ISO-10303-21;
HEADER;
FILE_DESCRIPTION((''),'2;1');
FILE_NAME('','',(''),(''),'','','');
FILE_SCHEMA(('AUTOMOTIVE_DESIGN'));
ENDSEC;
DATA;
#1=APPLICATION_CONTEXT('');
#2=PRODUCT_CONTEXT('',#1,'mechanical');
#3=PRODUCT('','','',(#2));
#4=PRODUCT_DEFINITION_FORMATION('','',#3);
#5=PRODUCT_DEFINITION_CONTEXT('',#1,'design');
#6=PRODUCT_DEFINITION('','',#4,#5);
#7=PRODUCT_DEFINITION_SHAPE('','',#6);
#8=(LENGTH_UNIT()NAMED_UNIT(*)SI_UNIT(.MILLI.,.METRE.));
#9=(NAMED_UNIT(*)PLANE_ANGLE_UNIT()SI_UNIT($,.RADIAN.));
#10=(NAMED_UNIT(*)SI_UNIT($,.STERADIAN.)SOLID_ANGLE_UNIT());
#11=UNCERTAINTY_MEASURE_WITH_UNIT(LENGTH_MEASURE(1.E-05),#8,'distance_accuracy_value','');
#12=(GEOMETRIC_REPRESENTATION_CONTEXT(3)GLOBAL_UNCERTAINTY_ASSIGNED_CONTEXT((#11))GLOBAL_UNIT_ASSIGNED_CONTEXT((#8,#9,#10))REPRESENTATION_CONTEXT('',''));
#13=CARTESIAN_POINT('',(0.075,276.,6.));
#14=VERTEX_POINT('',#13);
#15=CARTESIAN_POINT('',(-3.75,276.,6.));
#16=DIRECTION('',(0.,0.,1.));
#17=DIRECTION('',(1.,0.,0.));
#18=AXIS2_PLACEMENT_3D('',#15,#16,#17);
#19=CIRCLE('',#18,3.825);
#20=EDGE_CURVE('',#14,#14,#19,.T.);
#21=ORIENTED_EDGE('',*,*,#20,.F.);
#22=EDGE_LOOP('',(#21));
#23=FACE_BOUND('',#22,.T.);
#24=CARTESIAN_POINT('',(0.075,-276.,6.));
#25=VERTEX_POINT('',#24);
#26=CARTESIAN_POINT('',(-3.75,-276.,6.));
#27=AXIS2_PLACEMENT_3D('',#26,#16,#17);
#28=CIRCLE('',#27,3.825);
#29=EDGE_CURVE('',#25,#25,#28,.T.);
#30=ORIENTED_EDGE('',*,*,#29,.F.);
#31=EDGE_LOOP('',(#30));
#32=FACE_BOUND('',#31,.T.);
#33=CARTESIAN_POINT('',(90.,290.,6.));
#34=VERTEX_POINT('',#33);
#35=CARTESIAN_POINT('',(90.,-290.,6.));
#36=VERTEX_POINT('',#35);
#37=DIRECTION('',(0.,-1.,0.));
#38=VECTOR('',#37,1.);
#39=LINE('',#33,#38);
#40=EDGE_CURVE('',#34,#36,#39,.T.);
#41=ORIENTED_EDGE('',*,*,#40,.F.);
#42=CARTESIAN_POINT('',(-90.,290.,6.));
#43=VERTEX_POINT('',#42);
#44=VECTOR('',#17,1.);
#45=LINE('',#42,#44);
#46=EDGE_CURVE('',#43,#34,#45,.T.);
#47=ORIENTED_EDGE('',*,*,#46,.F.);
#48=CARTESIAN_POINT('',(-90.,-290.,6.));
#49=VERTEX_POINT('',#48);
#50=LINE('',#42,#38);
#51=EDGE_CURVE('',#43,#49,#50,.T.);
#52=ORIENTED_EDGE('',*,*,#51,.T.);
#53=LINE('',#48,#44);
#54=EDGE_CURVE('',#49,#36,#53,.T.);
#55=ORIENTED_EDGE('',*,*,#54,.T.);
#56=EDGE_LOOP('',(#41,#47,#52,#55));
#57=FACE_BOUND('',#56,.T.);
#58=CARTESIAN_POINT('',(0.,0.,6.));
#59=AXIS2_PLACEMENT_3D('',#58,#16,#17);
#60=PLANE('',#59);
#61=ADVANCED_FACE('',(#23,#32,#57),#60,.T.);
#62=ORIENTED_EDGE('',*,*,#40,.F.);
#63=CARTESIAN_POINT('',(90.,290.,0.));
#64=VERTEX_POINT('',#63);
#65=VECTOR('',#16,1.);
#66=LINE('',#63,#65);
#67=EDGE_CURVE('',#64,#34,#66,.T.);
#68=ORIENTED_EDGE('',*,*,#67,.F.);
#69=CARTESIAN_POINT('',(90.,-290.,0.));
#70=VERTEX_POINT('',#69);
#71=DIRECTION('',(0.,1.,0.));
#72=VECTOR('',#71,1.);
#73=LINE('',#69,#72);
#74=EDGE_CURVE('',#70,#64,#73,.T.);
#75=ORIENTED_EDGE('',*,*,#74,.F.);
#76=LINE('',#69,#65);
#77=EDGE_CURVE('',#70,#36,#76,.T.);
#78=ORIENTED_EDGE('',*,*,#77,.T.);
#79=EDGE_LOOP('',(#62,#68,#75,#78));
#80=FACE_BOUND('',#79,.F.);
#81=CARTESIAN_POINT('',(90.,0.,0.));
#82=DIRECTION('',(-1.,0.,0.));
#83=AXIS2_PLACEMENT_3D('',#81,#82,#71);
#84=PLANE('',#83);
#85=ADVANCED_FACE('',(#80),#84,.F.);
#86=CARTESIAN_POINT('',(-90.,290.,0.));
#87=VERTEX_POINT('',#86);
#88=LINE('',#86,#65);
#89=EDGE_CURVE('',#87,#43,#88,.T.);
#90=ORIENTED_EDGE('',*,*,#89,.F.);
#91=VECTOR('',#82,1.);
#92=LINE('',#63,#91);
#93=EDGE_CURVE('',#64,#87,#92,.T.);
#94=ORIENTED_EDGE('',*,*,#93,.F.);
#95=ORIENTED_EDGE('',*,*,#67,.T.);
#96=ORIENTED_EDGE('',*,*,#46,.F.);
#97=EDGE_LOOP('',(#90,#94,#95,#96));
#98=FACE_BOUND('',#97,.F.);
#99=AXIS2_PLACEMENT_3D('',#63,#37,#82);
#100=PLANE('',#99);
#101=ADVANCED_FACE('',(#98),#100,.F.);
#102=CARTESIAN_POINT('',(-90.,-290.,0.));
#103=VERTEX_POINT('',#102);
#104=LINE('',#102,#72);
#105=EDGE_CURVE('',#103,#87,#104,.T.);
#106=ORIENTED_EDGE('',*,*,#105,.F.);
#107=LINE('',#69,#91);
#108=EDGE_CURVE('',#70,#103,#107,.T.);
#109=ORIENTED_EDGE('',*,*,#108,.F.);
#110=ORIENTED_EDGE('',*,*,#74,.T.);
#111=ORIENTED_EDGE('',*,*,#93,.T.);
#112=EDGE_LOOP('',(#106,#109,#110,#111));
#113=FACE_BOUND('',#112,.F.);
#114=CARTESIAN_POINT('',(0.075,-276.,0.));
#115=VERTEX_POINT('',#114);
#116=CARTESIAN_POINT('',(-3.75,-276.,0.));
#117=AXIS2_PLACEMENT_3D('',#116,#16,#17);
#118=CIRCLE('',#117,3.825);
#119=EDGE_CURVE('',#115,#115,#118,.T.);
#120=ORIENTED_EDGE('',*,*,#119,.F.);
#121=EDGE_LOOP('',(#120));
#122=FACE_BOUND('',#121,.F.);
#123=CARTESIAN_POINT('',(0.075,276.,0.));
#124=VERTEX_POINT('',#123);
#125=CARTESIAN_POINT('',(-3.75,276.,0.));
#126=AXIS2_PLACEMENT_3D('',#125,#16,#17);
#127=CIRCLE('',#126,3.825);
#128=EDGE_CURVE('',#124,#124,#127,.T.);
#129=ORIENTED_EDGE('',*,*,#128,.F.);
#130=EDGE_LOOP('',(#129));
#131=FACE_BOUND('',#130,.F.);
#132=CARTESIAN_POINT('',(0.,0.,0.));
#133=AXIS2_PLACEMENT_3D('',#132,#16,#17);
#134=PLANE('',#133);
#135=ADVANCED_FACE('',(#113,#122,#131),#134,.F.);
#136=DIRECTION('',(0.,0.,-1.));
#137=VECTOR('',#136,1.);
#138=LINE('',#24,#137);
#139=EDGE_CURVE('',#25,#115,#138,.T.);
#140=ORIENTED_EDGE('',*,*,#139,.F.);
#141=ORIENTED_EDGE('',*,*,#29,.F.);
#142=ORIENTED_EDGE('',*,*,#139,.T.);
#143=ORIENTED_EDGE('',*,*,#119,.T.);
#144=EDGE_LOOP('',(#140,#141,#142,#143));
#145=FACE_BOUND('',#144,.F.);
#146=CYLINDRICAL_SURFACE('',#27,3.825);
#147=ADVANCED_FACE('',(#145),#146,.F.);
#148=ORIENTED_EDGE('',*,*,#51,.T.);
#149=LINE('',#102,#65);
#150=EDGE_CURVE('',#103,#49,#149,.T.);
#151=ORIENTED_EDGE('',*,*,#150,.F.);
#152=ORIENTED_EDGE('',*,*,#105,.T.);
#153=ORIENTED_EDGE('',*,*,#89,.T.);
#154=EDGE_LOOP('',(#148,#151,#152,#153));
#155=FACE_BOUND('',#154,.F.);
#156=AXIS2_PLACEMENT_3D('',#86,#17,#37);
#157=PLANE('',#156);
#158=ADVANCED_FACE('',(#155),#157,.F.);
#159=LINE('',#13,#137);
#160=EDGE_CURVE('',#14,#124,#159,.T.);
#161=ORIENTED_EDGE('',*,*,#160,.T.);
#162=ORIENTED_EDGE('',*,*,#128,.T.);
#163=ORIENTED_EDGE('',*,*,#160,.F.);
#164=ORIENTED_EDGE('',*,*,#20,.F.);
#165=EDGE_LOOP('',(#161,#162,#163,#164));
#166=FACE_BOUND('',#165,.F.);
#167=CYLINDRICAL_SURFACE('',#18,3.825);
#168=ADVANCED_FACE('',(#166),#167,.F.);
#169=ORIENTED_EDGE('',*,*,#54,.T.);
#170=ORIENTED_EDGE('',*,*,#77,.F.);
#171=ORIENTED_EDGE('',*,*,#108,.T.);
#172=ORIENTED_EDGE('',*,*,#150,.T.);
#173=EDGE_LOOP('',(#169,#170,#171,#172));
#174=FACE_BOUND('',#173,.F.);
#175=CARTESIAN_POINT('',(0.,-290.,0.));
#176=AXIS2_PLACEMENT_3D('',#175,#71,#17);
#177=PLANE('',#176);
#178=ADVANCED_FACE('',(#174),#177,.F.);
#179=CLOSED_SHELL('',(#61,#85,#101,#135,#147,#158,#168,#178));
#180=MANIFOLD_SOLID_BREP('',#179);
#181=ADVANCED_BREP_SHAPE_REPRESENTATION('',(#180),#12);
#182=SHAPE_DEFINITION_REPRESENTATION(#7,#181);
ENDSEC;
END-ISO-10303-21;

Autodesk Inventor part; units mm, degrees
ref_plane "YZ Plane" through (0, 0, 0) normal (1, 0, 0) x (0, 1, 0)
ref_plane "XZ Plane" through (0, 0, 0) normal (0, 1, 0) x (-1, 0, 0)
ref_plane "XY Plane" through (0, 0, 0) normal (0, 0, 1) x (1, 0, 0)
sketch "Skizze1" plane through (0, 0, 0) normal (0, 0, 1) x (1, 0, 0)
  line L0 (0, 406) -> (0, -406) projected
  line L1 (-126, 0) -> (126, 0) projected
  line L2 (-90, -290) -> (90, -290)
  line L3 (90, -290) -> (90, 290)
  line L4 (90, 290) -> (-90, 290)
  line L5 (-90, 290) -> (-90, -290)
  point P0 (0, 0)
  point P1 (0, -290)
  point P2 (-90, 0)
  dimension "d0" = 580
  dimension "d1" = 180
extrude "Extrusion1" add sketch "Skizze1" along normal blind 6
sketch "Sketch4" plane through (0, 0, 6) normal (0, 0, 1) x (1, 0, 0)
  circle A0 centre (-3.75, -276) radius 3.825
  line L0 (90, 290) -> (90, -290) projected
  line L1 (90, -290) -> (-90, -290) projected
  circle A1 centre (-3.75, 276) radius 3.825
  line L2 (-90, 290) -> (90, 290) projected
  point P0 (0, 0)
  dimension "d11" = 7.65
  dimension "d12" = 93.75
  dimension "d13" = 14
  dimension "d14" = 7.65
  dimension "d15" = 14
  dimension "d16" = 93.75
extrude "Extrusion3" cut sketch "Sketch4" against normal blind 10
properties part number "FrontCagePanelRemovable" material "PVC-U"
